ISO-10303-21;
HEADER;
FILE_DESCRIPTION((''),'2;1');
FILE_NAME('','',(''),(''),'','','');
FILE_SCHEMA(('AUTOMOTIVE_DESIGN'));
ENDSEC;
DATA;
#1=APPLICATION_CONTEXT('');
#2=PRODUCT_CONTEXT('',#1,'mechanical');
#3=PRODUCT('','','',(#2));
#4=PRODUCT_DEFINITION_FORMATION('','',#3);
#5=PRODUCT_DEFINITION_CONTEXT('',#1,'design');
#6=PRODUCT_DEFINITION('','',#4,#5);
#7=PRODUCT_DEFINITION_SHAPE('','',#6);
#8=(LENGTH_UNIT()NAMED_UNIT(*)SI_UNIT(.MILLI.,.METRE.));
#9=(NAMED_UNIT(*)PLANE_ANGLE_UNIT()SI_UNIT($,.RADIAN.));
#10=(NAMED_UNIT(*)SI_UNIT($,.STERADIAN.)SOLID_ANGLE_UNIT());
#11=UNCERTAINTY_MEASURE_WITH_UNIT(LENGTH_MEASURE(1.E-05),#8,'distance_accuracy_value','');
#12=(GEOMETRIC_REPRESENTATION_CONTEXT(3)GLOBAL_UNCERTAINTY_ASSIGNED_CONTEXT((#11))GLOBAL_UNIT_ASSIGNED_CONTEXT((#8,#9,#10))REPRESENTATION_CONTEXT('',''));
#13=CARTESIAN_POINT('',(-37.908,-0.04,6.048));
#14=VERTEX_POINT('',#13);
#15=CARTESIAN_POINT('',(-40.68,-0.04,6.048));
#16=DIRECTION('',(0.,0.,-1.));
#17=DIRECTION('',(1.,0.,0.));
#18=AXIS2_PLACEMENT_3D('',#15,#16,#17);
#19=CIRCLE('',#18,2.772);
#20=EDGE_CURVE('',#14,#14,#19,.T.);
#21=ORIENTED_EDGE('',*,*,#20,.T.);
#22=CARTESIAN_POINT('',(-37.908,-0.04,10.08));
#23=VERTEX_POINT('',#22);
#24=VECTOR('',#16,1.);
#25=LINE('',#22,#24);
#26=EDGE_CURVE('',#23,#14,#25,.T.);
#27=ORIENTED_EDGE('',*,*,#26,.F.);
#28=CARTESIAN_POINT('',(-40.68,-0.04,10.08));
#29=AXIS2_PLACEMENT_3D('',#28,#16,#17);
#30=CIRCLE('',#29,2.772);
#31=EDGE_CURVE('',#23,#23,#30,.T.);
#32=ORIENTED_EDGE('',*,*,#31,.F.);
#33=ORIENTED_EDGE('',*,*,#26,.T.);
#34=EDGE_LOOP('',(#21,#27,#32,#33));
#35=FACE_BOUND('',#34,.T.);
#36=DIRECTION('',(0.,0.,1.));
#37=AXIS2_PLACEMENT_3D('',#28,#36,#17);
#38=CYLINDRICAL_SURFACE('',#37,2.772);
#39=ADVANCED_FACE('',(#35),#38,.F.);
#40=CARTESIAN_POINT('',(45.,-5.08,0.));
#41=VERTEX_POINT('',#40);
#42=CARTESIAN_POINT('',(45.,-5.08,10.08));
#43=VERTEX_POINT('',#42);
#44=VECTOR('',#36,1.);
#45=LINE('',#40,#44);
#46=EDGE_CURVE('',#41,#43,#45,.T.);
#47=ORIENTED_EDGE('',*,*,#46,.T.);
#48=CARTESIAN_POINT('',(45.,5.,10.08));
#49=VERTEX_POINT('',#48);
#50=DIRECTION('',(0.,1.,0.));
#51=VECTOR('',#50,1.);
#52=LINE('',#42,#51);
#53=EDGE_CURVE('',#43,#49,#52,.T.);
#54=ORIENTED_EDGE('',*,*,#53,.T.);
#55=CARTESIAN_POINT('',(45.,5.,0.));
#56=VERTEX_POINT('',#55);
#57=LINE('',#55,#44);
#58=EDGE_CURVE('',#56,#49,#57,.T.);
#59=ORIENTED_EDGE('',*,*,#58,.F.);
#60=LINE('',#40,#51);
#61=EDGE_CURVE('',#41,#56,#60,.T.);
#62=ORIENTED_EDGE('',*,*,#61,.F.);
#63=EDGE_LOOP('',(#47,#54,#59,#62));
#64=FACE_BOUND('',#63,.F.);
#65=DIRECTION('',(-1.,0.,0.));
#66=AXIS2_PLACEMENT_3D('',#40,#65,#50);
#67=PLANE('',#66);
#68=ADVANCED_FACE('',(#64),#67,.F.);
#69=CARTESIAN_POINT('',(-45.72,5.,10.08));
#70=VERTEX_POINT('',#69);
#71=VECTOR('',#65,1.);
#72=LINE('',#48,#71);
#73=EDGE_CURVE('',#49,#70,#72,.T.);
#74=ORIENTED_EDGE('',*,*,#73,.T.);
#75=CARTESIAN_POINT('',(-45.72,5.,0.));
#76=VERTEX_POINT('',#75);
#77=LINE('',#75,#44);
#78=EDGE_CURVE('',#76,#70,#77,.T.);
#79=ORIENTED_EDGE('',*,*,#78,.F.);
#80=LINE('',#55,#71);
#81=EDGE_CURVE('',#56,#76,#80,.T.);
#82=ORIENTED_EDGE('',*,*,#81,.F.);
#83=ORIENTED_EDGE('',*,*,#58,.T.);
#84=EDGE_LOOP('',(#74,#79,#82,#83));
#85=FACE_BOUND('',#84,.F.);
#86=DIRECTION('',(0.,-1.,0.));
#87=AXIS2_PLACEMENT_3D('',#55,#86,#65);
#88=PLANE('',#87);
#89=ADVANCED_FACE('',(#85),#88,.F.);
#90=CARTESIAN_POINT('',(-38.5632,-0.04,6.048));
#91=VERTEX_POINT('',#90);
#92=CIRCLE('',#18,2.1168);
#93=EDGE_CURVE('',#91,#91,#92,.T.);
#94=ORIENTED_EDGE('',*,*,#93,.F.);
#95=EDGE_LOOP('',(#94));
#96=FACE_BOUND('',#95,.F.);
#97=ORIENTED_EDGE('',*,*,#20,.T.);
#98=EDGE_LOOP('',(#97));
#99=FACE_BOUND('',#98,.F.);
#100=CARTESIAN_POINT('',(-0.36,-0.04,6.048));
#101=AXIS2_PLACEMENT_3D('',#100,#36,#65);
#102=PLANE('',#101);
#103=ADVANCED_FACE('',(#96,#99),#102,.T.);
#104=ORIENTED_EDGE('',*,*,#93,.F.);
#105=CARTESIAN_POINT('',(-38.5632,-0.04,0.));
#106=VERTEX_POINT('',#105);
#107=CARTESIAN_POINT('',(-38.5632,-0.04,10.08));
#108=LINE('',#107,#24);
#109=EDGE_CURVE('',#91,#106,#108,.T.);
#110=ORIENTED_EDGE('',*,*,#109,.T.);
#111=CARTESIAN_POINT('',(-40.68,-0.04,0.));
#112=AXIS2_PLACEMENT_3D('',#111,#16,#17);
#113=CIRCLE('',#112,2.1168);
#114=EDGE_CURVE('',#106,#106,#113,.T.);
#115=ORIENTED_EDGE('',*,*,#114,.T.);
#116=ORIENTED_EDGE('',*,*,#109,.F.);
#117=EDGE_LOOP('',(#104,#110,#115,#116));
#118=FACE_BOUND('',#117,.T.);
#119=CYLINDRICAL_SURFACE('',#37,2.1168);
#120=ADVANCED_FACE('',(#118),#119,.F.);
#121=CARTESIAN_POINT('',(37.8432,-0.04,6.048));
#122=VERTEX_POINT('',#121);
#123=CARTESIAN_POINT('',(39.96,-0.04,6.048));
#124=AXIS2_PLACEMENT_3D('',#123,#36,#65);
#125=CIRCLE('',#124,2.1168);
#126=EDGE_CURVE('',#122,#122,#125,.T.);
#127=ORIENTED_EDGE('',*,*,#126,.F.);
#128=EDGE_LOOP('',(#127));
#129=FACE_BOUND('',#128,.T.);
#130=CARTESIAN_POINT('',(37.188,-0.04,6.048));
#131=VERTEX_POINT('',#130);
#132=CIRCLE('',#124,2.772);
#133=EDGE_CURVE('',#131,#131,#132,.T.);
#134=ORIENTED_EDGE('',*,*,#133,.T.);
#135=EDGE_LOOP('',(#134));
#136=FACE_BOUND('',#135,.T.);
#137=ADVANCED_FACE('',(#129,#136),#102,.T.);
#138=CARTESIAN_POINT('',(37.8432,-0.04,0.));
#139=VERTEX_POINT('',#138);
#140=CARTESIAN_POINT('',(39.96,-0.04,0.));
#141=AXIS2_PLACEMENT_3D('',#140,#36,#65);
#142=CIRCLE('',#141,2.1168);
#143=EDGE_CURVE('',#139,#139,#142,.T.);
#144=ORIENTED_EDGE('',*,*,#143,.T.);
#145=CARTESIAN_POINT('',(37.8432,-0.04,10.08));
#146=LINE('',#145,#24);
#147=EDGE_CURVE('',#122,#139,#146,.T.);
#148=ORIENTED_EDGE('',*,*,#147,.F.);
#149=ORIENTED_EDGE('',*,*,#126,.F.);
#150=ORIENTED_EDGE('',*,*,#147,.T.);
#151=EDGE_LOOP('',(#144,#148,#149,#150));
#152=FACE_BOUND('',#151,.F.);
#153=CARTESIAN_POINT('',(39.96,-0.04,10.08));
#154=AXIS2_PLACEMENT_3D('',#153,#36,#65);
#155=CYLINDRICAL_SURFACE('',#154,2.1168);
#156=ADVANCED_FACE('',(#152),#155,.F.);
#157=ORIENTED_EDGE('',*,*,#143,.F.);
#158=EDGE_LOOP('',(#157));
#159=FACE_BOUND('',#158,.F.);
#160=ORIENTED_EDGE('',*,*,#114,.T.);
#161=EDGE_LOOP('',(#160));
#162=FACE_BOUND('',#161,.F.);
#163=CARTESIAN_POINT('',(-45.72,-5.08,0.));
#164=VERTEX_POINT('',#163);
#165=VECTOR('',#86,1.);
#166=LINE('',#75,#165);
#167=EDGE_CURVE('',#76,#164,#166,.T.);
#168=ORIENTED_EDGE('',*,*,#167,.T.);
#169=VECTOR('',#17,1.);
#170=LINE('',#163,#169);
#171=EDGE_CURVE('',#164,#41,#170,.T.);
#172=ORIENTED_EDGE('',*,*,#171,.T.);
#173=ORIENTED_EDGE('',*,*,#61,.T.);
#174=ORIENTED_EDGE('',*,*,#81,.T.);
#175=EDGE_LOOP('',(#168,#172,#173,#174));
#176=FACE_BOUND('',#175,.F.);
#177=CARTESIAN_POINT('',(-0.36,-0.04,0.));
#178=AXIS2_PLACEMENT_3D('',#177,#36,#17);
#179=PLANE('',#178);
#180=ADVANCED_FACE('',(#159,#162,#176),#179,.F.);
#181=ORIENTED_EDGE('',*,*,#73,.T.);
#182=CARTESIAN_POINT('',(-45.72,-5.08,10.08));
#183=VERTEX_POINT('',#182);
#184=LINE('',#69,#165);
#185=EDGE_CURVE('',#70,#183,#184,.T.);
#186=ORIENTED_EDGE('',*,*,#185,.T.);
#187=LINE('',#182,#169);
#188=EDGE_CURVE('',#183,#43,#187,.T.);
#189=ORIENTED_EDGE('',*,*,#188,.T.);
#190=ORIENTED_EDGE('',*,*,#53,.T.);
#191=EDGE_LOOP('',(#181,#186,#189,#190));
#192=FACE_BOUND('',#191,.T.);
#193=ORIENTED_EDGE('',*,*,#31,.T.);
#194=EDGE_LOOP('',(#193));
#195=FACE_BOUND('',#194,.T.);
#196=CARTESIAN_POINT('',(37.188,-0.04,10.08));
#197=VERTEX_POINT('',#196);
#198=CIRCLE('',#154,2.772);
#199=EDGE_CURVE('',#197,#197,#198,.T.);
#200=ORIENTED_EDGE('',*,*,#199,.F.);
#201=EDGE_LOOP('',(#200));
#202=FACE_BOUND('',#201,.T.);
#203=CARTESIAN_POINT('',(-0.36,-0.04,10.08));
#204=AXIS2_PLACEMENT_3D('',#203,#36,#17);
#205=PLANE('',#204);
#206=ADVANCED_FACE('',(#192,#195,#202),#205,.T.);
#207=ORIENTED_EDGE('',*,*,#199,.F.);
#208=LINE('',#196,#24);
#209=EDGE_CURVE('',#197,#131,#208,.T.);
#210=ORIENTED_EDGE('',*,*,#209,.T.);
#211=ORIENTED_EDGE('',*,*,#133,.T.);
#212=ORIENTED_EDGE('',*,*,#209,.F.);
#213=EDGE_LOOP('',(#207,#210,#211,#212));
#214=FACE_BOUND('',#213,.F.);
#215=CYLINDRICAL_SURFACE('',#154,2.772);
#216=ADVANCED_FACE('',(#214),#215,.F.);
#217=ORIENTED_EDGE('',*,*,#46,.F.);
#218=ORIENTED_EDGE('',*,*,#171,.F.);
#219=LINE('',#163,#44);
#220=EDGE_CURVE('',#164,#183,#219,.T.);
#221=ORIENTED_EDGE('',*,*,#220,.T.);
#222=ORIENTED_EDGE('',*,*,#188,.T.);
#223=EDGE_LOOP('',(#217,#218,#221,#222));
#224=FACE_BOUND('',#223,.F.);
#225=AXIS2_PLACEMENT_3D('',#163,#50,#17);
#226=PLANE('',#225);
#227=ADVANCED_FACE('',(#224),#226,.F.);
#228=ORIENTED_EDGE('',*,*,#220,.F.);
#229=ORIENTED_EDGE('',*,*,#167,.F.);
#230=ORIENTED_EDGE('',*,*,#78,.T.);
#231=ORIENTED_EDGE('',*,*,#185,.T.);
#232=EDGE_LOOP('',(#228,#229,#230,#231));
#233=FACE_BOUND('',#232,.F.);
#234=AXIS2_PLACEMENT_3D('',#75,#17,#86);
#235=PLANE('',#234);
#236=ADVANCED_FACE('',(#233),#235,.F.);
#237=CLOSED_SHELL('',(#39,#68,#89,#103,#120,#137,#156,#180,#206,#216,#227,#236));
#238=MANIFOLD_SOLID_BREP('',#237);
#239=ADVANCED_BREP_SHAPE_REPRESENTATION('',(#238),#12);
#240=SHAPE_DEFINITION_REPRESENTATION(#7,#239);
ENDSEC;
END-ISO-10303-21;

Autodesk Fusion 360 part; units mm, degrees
sketch "Sketch1" plane through (0, 0, 0) normal (0, 0, 1) x (1, 0, 0)
  line L0 (-45, -5) -> (45, -5)
  line L1 (45, -5) -> (45, 5)
  line L2 (45, 5) -> (-45, 5)
  line L3 (-45, 5) -> (-45, -5)
  line L4 (-45, -5) -> (45, 5) construction
  line L5 (45, -5) -> (-45, 5) construction
  dimension "d1" = 90
  dimension "d2" = 10
extrude "Extrude1" add sketch "Sketch1" along normal blind 10
sketch "Sketch2" plane through (0, 0, 10) normal (0, 0, 1) x (-1, 0, 0)
  line L0 (45, -5) -> (45, 5)
  line L1 (45, 5) -> (-45, 5)
  line L2 (-45, 5) -> (-45, -5)
  line L3 (-45, -5) -> (45, -5)
  circle A0 centre (-40, 0) radius 2.75
  circle A1 centre (-40, 0) radius 2.1
  dimension "d5" = 5.5
  dimension "d6" = 4.2
  dimension "d7" = 5
  dimension "d8" = 5
extrude "Extrude2" cut sketch "Sketch2" against normal blind 10 contours A1
extrude "Extrude3" cut sketch "Sketch2" against normal blind 4 contours A0
mirror "Mirror1" about plane through (0, 0, 0) normal (1, 0, 0) of "Extrude2", "Extrude3"
scale "Scale1" factor 1.008 about (45, 5, 0) bodies 1
